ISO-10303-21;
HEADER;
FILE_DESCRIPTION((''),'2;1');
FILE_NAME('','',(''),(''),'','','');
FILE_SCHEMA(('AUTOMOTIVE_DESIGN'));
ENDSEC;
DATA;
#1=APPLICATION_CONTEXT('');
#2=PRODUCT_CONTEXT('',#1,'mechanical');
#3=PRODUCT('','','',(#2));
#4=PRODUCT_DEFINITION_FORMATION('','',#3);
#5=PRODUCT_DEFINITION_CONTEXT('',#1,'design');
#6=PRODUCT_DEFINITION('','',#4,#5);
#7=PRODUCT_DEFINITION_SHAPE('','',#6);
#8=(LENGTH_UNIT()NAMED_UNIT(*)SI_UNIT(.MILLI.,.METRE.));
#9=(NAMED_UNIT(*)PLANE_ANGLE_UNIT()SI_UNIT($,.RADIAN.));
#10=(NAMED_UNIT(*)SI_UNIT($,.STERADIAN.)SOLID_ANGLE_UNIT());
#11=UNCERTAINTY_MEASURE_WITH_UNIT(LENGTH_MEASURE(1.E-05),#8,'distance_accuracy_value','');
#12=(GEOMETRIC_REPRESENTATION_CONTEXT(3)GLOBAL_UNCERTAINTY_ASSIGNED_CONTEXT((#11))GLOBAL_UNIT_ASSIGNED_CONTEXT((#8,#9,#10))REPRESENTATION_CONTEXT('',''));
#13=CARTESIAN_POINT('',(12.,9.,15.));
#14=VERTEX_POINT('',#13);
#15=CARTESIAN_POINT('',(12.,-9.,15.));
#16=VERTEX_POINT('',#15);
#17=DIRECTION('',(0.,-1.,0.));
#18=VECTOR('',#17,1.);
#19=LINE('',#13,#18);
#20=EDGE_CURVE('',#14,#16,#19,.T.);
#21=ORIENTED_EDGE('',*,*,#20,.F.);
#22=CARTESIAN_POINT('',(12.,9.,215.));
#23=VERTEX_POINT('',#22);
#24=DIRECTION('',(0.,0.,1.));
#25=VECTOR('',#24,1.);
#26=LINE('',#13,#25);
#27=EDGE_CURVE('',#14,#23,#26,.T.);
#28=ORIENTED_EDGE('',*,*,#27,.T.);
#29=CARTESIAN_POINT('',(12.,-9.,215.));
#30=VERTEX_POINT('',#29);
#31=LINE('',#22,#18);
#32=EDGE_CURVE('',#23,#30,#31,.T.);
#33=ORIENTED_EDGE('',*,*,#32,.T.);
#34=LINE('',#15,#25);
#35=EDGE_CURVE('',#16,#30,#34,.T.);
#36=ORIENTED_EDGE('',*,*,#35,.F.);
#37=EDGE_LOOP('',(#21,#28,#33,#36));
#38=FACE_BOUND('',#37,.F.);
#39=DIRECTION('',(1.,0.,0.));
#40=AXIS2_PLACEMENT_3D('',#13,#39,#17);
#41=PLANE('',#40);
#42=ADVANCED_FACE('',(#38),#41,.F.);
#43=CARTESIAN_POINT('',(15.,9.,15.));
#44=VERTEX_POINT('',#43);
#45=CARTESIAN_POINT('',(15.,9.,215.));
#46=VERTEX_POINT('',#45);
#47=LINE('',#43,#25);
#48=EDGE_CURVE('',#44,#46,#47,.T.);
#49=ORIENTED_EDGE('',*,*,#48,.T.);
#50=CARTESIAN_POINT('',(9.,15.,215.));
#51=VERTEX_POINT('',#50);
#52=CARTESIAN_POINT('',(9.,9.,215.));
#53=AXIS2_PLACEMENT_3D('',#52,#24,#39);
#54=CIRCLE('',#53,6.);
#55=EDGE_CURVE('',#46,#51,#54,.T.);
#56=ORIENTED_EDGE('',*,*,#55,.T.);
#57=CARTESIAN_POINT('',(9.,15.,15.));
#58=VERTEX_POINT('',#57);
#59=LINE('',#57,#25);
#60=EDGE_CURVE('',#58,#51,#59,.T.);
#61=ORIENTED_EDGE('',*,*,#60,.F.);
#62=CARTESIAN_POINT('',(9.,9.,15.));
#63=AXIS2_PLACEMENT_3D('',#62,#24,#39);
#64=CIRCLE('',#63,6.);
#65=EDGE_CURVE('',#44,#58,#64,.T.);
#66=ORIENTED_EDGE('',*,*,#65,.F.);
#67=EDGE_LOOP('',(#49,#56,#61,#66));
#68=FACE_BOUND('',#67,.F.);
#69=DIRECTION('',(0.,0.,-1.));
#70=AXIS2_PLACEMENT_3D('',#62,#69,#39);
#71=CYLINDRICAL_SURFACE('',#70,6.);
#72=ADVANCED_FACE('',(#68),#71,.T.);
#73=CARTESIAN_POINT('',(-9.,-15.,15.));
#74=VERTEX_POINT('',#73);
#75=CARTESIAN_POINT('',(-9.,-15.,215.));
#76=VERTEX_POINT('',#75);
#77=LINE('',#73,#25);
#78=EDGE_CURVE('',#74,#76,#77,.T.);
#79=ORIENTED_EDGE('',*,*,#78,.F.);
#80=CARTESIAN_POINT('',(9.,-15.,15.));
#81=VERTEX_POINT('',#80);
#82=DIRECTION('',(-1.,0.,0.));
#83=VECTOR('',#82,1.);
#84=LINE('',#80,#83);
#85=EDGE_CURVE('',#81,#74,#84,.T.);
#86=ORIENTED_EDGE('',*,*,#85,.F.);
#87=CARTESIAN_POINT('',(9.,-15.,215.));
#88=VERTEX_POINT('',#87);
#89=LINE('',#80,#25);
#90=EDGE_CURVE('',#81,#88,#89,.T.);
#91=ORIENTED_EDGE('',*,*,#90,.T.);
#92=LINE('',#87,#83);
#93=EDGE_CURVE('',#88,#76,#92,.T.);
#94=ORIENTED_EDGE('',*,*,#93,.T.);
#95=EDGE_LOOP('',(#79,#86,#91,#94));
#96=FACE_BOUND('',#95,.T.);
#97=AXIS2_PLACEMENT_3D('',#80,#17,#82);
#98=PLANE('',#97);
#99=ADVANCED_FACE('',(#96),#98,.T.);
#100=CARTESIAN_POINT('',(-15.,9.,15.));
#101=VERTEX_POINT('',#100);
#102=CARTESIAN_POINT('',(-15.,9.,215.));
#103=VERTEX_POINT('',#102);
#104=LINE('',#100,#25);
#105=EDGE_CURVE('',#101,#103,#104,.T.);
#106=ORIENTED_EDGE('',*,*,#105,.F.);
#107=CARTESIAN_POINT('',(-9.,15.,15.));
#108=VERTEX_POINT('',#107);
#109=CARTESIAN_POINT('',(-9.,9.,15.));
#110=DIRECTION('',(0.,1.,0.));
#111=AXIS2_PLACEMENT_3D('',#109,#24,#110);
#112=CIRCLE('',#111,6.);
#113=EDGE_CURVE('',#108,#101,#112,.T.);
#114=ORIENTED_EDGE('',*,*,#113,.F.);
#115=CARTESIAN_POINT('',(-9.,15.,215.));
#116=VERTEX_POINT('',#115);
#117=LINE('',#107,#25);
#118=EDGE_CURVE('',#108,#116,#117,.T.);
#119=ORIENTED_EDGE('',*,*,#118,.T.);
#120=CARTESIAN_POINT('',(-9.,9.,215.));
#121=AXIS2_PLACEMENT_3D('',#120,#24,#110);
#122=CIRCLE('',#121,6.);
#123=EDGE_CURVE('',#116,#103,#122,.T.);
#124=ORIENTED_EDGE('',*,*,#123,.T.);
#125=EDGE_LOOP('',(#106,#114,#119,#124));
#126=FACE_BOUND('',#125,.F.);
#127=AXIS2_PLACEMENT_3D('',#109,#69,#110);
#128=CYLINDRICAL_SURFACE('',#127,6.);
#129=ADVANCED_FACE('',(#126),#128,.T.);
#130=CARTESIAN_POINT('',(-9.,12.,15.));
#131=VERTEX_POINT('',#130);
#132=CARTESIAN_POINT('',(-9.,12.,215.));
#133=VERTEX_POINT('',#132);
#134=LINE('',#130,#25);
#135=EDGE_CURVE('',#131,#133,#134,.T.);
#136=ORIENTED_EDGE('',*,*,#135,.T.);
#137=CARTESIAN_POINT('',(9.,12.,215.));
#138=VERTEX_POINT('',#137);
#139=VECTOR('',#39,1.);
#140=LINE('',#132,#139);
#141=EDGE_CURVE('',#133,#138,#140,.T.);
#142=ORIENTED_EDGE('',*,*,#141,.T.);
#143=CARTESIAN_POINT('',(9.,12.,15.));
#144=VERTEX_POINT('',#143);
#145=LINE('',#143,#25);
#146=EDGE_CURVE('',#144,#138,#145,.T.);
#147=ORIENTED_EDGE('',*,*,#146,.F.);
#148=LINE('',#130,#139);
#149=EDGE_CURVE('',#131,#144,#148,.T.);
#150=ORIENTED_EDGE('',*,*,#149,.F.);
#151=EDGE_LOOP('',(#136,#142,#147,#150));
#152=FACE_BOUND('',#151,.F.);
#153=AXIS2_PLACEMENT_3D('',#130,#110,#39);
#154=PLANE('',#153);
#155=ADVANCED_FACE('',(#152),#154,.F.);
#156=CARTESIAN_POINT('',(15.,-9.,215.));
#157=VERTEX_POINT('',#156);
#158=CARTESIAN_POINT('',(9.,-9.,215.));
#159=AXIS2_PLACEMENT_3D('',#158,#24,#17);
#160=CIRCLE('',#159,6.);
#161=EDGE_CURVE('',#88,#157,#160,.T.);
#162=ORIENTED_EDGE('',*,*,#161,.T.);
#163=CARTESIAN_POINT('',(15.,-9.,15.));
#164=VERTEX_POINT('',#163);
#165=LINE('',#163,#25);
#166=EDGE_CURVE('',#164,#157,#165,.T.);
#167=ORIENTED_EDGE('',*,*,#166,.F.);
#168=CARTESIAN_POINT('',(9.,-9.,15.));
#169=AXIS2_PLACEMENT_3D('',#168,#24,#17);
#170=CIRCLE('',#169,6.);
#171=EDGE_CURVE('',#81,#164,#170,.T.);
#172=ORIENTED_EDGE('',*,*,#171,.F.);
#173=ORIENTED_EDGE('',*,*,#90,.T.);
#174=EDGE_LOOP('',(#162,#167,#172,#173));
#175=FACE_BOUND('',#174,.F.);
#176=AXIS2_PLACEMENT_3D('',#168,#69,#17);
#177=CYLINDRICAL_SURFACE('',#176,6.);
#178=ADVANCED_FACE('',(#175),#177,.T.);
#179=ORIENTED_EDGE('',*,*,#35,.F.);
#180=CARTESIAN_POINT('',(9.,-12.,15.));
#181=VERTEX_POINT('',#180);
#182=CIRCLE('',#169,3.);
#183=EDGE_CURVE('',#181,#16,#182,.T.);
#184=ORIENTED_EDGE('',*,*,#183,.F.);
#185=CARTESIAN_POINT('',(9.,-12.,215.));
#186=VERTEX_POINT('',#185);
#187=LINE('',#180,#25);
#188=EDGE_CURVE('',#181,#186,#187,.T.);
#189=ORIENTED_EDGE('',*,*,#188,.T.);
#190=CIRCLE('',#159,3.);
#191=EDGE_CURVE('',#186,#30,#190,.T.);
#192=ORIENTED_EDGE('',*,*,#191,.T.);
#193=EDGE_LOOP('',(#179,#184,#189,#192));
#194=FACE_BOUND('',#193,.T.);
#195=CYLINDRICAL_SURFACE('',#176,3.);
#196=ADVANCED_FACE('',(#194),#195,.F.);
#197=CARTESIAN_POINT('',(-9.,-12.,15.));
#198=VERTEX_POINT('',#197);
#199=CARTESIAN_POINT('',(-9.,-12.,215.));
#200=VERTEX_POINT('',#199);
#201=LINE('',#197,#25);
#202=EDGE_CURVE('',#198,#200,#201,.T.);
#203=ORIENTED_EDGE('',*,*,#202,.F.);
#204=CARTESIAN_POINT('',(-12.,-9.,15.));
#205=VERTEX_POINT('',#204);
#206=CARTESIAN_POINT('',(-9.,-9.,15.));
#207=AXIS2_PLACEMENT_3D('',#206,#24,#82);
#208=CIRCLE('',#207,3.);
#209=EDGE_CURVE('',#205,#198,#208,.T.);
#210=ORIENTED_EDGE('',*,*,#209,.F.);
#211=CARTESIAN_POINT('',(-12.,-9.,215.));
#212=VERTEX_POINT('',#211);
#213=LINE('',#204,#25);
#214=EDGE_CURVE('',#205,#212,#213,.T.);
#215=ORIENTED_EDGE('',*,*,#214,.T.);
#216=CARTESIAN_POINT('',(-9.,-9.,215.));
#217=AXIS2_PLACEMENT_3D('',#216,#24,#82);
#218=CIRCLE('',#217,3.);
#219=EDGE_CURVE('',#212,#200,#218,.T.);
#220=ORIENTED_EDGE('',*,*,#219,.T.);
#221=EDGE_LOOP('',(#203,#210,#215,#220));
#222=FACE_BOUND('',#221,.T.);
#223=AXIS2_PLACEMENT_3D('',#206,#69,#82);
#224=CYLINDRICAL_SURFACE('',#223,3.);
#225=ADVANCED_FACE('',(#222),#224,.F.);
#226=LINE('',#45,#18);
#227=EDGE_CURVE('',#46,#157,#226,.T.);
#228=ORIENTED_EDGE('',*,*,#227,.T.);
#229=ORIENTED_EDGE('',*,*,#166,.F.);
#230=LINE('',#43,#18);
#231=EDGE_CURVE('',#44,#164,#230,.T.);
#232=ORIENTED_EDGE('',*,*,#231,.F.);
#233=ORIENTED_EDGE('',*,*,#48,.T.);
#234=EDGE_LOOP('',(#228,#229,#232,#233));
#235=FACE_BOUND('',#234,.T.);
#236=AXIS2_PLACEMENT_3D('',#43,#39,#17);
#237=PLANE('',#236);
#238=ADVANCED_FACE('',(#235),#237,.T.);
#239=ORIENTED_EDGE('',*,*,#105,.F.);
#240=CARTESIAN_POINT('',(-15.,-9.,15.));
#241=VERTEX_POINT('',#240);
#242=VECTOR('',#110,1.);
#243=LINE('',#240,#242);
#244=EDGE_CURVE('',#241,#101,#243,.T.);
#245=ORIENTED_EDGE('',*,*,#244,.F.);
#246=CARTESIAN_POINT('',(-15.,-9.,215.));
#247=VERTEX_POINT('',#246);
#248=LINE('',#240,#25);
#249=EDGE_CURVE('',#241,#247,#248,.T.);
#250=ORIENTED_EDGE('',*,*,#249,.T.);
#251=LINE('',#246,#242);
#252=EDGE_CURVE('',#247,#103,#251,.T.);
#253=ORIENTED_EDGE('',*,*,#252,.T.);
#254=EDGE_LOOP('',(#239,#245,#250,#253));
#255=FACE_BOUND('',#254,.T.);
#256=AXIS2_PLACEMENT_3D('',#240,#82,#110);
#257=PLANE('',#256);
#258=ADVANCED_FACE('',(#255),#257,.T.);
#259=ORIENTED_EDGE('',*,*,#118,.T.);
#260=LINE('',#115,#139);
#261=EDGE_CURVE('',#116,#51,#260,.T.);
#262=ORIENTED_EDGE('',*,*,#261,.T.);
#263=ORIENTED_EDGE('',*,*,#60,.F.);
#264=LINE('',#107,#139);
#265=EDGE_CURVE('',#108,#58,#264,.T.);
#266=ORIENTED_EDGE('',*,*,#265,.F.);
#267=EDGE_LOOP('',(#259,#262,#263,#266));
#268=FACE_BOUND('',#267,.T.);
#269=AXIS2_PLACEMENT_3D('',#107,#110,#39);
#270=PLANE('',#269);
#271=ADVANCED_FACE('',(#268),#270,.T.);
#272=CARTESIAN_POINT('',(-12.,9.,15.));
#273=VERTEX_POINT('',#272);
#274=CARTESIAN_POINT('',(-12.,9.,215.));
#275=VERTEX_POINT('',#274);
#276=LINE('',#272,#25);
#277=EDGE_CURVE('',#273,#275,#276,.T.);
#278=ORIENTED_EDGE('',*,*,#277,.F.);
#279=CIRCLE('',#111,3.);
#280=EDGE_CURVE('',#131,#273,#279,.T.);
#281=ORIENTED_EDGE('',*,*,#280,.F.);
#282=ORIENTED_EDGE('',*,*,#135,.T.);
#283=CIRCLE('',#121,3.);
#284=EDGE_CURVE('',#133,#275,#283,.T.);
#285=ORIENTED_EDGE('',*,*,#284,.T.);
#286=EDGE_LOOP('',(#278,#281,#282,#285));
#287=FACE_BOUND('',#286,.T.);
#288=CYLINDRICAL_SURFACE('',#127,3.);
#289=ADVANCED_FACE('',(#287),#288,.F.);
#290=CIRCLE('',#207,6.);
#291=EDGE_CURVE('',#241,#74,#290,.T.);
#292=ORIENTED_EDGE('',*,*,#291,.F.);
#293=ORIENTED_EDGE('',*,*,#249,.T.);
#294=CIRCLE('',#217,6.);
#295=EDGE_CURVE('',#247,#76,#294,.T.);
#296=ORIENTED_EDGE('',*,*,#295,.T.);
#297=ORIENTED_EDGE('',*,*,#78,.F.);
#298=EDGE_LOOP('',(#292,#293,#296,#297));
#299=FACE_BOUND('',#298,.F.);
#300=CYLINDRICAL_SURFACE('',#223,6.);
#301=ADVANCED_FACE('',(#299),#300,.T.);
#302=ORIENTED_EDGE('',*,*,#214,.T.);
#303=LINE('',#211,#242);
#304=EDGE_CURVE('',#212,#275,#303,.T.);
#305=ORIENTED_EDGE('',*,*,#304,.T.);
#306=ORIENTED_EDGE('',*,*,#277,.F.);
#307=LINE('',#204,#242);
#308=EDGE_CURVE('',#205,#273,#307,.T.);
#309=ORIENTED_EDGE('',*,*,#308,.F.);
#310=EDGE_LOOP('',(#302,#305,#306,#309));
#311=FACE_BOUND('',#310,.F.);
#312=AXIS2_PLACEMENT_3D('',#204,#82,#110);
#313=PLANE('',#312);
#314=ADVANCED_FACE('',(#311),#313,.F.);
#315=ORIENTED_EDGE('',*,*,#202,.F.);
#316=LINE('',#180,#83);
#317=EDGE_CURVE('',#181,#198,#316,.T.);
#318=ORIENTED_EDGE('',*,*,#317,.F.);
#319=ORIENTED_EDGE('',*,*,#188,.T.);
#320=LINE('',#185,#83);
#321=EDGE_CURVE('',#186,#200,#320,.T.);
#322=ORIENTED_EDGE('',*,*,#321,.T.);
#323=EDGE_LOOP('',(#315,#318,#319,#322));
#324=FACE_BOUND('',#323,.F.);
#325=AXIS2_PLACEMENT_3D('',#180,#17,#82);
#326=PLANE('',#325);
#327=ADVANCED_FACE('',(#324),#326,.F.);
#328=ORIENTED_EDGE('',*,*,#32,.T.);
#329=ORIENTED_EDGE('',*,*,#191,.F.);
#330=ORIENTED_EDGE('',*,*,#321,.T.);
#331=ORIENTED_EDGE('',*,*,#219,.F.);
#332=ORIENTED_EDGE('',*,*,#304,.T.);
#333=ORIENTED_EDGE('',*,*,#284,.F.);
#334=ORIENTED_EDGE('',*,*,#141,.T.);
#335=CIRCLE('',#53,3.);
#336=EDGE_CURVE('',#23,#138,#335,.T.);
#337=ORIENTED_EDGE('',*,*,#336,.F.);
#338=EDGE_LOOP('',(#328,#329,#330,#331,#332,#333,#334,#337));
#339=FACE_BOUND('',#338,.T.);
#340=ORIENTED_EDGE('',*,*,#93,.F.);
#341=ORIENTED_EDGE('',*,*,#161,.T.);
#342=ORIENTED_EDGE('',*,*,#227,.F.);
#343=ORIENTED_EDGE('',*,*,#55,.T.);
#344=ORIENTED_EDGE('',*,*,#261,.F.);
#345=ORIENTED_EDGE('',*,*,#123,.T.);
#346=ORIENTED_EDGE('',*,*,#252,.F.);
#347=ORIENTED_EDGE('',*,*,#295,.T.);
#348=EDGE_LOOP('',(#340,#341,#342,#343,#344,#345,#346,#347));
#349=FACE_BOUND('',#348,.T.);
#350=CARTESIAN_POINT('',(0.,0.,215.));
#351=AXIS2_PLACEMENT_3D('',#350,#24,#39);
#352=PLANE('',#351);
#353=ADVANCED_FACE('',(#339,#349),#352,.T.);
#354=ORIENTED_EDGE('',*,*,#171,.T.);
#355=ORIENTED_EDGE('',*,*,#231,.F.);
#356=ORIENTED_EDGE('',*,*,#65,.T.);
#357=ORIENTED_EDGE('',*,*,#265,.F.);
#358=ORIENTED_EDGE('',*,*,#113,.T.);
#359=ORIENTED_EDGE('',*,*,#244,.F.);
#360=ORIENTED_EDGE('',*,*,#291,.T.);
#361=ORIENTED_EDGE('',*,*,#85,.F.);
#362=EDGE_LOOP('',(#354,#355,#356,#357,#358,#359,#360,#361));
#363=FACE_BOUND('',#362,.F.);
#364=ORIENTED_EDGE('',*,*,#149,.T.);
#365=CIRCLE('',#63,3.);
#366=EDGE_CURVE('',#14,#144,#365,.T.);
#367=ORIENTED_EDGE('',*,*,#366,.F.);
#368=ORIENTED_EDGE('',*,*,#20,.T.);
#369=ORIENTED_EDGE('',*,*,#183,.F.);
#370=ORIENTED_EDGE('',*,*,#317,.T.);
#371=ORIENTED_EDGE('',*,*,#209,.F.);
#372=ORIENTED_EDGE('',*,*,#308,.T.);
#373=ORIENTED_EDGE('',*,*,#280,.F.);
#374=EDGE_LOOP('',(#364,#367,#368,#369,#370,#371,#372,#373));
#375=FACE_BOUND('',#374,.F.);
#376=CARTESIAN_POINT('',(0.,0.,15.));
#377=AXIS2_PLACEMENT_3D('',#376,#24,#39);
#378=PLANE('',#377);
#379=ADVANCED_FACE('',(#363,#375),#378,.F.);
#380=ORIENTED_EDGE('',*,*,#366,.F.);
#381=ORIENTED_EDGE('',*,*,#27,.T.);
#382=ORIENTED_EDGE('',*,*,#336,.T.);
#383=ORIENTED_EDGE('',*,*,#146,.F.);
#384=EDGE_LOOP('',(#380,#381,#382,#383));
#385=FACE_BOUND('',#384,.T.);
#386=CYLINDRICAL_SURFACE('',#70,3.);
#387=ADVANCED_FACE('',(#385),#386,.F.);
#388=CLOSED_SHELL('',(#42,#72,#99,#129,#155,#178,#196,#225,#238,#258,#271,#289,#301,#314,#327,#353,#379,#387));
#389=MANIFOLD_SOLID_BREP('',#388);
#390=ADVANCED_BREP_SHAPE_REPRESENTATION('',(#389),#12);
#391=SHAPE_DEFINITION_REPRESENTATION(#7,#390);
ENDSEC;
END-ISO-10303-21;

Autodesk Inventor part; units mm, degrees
ref_plane "Start Plane" through (0, 0, 15) normal (0, 0, 1) x (1, 0, 0)
ref_plane "End Plane" through (0, 0, 215) normal (0, 0, 1) x (1, 0, 0)
sketch "Sketch" plane through (0, 0, 0) normal (0, 0, 1) x (1, 0, 0)
  line L0 (-15, -9) -> (-15, 9)
  line L1 (-9, 15) -> (9, 15)
  line L2 (15, 9) -> (15, -9)
  line L3 (9, -15) -> (-9, -15)
  arc A0 (-15, -9) -> (-9, -15) centre (-9, -9) ccw
  arc A1 (-9, 15) -> (-15, 9) centre (-9, 9) ccw
  arc A2 (15, 9) -> (9, 15) centre (9, 9) ccw
  arc A3 (9, -15) -> (15, -9) centre (9, -9) ccw
  arc A4 (-9, 12) -> (-12, 9) centre (-9, 9) ccw
  line L4 (-9, 12) -> (9, 12)
  arc A5 (12, 9) -> (9, 12) centre (9, 9) ccw
  line L5 (12, 9) -> (12, -9)
  arc A6 (9, -12) -> (12, -9) centre (9, -9) ccw
  line L6 (9, -12) -> (-9, -12)
  arc A7 (-12, -9) -> (-9, -12) centre (-9, -9) ccw
  line L7 (-12, -9) -> (-12, 9)
  line L8 (0, 22.7397) -> (0, -22.7397) construction
  line L9 (-22.7397, 0) -> (22.7397, 0) construction
  dimension "d7" = 6
  dimension "d10" = 30
  dimension "d11" = 30
  dimension "d12" = 3
  dimension "d15" = 15
  dimension "d16" = 15
extrude "Body" add sketch "Sketch" along normal up to surface (200 mm away) from surface at 15
sketch "Sketch3" plane through (0, 0, 0) normal (0, 0, 1) x (1, 0, 0)
  line L0 (0, 0) -> (10, 0)
ref_plane "Work Plane3" through (0, 0, 0) normal (0, -1, 0) x (1, 0, 0)
ref_plane "Work Plane4" through (-9, 0, 215) normal (0, 0, 1) x (1, 0, 0)
split "Split1" plane through (-9, 0, 215) removes the side toward (0, 0, 1)
ref_plane "Work Plane5" through (-9, 1200, 15) normal (0, 0, -1) x (-1, 0, 0)
split "Split2" plane through (-9, 1200, 15) removes the side toward (0, 0, -1)
sketch "Sketch4" plane through (0, 0, 0) normal (0, -1, 0) x (1, 0, 0)
  line L0 (-2, 15) -> (12, 15) projected
  line L1 (-2, 215) -> (12, 215) projected
  dimension "d18" = 200
equation "\"d7\" = G_IR"
equation "\"d10\" = G_H"
equation "\"d11\" = G_W"
equation "\"d12\" = G_T"
equation "\"d15\" = 0.5 * d10"
equation "\"d16\" = 0.5 * d11"
equation "\"d3\" = G_L"
equation "\"G_W\" = 30"
equation "\"G_H\" = 30"
equation "\"G_T\" = 3"
equation "\"G_IR\" = 6"
equation "\"G_L\" = d18"
equation "\"G_OFFSET_START\" = -15"
equation "\"G_OFFSET_END\" = -15"
equation "\"d13\" = -G_OFFSET_START"
equation "\"d14\" = G_OFFSET_END + B_L"
equation "\"B_L\" = 230"
properties part number "DIN EN 10219-2 - 30 x 30 x 3  - 200" material "Steel, Mild"
